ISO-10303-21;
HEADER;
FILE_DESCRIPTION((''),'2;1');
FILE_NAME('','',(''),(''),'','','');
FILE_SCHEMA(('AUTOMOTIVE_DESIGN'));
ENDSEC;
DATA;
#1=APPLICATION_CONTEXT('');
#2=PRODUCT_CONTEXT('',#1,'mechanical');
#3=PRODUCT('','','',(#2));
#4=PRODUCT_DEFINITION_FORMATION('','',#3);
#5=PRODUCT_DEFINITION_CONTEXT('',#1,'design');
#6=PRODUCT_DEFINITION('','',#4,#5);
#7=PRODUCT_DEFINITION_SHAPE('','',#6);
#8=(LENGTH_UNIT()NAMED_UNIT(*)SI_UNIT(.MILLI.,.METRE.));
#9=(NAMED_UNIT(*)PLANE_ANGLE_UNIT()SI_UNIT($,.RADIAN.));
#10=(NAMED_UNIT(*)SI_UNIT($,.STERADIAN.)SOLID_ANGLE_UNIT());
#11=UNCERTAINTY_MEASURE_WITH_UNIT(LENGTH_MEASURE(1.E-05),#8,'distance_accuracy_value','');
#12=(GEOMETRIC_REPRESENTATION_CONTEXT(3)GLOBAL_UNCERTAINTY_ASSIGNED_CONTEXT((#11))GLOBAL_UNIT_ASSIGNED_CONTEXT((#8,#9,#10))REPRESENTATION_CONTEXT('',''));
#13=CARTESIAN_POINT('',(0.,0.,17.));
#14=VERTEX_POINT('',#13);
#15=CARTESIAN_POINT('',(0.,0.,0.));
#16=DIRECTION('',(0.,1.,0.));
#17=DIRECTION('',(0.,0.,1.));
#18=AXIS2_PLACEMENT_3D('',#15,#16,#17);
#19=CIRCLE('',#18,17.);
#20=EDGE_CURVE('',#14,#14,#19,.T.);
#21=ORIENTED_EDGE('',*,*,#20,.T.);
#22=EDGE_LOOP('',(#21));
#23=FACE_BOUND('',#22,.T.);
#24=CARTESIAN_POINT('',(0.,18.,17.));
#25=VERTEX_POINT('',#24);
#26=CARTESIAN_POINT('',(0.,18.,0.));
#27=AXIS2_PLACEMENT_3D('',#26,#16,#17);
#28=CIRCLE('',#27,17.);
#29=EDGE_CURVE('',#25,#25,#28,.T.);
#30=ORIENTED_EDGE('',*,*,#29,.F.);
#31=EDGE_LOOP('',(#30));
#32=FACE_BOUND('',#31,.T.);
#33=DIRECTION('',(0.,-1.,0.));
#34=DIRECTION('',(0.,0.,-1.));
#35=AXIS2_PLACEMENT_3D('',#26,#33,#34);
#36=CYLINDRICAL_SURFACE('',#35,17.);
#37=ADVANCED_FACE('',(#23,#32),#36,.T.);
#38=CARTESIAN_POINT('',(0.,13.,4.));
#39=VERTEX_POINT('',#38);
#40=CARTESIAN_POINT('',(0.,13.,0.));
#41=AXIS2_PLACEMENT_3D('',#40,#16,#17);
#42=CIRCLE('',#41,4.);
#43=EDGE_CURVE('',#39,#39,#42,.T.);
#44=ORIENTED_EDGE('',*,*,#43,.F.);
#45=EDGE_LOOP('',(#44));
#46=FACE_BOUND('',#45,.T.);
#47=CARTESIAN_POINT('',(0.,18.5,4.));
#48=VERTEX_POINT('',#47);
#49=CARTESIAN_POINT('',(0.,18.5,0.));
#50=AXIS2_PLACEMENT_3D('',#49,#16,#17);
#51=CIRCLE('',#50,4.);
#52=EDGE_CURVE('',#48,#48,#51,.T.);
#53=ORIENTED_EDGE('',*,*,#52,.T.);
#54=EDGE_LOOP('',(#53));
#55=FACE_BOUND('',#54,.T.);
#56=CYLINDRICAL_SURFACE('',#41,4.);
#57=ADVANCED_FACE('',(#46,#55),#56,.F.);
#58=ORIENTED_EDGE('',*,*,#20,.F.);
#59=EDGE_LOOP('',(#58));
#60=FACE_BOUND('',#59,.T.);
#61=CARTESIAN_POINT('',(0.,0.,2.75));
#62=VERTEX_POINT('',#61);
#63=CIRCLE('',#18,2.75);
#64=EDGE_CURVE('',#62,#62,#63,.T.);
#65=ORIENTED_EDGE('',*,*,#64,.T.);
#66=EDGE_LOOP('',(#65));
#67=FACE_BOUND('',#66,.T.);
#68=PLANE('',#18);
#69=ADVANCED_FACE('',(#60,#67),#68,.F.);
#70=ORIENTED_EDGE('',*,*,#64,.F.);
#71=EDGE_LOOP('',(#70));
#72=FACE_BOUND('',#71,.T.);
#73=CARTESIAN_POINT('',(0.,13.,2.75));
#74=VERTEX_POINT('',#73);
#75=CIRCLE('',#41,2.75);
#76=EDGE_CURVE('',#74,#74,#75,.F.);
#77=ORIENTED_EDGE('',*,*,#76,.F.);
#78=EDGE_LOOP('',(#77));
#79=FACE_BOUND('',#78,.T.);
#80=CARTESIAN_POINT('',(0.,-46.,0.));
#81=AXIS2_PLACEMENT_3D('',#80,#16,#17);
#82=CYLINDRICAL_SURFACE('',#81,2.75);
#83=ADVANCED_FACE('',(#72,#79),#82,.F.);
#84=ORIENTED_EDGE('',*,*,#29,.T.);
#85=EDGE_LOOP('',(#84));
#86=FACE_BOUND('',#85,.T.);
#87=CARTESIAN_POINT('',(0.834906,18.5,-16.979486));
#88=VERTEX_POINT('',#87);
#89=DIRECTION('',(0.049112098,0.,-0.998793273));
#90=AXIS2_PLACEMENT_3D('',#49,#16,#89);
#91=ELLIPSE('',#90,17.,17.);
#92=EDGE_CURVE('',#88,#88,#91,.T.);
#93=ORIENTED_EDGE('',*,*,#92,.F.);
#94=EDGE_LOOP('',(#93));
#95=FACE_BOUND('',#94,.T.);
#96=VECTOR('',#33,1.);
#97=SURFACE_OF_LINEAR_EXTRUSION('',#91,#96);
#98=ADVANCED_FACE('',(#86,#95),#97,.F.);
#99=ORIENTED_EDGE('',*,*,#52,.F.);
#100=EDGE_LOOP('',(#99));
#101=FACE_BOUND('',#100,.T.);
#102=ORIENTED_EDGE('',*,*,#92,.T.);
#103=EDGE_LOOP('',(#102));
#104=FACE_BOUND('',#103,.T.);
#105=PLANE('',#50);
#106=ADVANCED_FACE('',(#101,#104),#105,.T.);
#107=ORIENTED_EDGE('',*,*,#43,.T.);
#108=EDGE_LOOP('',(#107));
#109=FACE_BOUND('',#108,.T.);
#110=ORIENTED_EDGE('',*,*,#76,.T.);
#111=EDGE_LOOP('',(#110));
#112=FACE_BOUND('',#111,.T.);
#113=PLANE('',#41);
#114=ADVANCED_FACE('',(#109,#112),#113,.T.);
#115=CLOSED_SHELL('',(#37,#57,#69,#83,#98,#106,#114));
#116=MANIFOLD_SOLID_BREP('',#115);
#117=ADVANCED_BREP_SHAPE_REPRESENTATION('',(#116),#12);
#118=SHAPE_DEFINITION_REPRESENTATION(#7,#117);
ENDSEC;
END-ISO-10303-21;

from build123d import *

# Parameters (mm, degrees)
SKETCH1_R           = 17
BOSS_EXTRUDE2_DEPTH = 18
SKETCH3_R           = 2.75
CUT_EXTRUDE2_DEPTH  = 64
SKETCH4_R           = 4
CUT_EXTRUDE3_DEPTH  = 5
SKETCH5_RX          = 17
SKETCH5_RY          = 17
BOSS_EXTRUDE3_DEPTH = 0.5
SKETCH6_R           = 4
CUT_EXTRUDE4_DEPTH  = 0.5


with BuildPart() as part:
    # Sketch1 → Boss-Extrude2 (new body)
    with BuildSketch(Plane(origin=(0, 0, 0), x_dir=(1, 0, 0), z_dir=(0, 1, 0))):
        with Locations(Location((0, 0, 0), (0, 0, 270))):
            Circle(SKETCH1_R)
    extrude(amount=BOSS_EXTRUDE2_DEPTH)

    # Sketch3 → Cut-Extrude2 (cut)
    with BuildSketch(Plane(origin=(0, 18, 0), x_dir=(1, 0, 0), z_dir=(0, 1, 0))):
        with Locations(Location((0, 0, 0), (0, 0, 270))):
            Circle(SKETCH3_R)
    extrude(amount=-CUT_EXTRUDE2_DEPTH, mode=Mode.SUBTRACT)

    # Sketch4 → Cut-Extrude3 (cut)
    with BuildSketch(Plane(origin=(0, 18, 0), x_dir=(1, 0, 0), z_dir=(0, 1, 0))):
        with Locations(Location((0, 0, 0), (0, 0, 270))):
            Circle(SKETCH4_R)
    extrude(amount=-CUT_EXTRUDE3_DEPTH, mode=Mode.SUBTRACT)

    # Sketch5 → Boss-Extrude3 (add)
    with BuildSketch(Plane(origin=(0, 18, 0), x_dir=(1, 0, 0), z_dir=(0, 1, 0))):
        with Locations(Location((0, 0), (0, 0, -2.815048359))):
            Ellipse(SKETCH5_RX, SKETCH5_RY)
    extrude(amount=BOSS_EXTRUDE3_DEPTH)

    # Sketch6 → Cut-Extrude4 (cut)
    with BuildSketch(Plane(origin=(0, 18.5, 0), x_dir=(1, 0, 0), z_dir=(0, 1, 0))):
        with Locations(Location((0, 0, 0), (0, 0, 270))):
            Circle(SKETCH6_R)
    extrude(amount=-CUT_EXTRUDE4_DEPTH, mode=Mode.SUBTRACT)


solid = part.part
